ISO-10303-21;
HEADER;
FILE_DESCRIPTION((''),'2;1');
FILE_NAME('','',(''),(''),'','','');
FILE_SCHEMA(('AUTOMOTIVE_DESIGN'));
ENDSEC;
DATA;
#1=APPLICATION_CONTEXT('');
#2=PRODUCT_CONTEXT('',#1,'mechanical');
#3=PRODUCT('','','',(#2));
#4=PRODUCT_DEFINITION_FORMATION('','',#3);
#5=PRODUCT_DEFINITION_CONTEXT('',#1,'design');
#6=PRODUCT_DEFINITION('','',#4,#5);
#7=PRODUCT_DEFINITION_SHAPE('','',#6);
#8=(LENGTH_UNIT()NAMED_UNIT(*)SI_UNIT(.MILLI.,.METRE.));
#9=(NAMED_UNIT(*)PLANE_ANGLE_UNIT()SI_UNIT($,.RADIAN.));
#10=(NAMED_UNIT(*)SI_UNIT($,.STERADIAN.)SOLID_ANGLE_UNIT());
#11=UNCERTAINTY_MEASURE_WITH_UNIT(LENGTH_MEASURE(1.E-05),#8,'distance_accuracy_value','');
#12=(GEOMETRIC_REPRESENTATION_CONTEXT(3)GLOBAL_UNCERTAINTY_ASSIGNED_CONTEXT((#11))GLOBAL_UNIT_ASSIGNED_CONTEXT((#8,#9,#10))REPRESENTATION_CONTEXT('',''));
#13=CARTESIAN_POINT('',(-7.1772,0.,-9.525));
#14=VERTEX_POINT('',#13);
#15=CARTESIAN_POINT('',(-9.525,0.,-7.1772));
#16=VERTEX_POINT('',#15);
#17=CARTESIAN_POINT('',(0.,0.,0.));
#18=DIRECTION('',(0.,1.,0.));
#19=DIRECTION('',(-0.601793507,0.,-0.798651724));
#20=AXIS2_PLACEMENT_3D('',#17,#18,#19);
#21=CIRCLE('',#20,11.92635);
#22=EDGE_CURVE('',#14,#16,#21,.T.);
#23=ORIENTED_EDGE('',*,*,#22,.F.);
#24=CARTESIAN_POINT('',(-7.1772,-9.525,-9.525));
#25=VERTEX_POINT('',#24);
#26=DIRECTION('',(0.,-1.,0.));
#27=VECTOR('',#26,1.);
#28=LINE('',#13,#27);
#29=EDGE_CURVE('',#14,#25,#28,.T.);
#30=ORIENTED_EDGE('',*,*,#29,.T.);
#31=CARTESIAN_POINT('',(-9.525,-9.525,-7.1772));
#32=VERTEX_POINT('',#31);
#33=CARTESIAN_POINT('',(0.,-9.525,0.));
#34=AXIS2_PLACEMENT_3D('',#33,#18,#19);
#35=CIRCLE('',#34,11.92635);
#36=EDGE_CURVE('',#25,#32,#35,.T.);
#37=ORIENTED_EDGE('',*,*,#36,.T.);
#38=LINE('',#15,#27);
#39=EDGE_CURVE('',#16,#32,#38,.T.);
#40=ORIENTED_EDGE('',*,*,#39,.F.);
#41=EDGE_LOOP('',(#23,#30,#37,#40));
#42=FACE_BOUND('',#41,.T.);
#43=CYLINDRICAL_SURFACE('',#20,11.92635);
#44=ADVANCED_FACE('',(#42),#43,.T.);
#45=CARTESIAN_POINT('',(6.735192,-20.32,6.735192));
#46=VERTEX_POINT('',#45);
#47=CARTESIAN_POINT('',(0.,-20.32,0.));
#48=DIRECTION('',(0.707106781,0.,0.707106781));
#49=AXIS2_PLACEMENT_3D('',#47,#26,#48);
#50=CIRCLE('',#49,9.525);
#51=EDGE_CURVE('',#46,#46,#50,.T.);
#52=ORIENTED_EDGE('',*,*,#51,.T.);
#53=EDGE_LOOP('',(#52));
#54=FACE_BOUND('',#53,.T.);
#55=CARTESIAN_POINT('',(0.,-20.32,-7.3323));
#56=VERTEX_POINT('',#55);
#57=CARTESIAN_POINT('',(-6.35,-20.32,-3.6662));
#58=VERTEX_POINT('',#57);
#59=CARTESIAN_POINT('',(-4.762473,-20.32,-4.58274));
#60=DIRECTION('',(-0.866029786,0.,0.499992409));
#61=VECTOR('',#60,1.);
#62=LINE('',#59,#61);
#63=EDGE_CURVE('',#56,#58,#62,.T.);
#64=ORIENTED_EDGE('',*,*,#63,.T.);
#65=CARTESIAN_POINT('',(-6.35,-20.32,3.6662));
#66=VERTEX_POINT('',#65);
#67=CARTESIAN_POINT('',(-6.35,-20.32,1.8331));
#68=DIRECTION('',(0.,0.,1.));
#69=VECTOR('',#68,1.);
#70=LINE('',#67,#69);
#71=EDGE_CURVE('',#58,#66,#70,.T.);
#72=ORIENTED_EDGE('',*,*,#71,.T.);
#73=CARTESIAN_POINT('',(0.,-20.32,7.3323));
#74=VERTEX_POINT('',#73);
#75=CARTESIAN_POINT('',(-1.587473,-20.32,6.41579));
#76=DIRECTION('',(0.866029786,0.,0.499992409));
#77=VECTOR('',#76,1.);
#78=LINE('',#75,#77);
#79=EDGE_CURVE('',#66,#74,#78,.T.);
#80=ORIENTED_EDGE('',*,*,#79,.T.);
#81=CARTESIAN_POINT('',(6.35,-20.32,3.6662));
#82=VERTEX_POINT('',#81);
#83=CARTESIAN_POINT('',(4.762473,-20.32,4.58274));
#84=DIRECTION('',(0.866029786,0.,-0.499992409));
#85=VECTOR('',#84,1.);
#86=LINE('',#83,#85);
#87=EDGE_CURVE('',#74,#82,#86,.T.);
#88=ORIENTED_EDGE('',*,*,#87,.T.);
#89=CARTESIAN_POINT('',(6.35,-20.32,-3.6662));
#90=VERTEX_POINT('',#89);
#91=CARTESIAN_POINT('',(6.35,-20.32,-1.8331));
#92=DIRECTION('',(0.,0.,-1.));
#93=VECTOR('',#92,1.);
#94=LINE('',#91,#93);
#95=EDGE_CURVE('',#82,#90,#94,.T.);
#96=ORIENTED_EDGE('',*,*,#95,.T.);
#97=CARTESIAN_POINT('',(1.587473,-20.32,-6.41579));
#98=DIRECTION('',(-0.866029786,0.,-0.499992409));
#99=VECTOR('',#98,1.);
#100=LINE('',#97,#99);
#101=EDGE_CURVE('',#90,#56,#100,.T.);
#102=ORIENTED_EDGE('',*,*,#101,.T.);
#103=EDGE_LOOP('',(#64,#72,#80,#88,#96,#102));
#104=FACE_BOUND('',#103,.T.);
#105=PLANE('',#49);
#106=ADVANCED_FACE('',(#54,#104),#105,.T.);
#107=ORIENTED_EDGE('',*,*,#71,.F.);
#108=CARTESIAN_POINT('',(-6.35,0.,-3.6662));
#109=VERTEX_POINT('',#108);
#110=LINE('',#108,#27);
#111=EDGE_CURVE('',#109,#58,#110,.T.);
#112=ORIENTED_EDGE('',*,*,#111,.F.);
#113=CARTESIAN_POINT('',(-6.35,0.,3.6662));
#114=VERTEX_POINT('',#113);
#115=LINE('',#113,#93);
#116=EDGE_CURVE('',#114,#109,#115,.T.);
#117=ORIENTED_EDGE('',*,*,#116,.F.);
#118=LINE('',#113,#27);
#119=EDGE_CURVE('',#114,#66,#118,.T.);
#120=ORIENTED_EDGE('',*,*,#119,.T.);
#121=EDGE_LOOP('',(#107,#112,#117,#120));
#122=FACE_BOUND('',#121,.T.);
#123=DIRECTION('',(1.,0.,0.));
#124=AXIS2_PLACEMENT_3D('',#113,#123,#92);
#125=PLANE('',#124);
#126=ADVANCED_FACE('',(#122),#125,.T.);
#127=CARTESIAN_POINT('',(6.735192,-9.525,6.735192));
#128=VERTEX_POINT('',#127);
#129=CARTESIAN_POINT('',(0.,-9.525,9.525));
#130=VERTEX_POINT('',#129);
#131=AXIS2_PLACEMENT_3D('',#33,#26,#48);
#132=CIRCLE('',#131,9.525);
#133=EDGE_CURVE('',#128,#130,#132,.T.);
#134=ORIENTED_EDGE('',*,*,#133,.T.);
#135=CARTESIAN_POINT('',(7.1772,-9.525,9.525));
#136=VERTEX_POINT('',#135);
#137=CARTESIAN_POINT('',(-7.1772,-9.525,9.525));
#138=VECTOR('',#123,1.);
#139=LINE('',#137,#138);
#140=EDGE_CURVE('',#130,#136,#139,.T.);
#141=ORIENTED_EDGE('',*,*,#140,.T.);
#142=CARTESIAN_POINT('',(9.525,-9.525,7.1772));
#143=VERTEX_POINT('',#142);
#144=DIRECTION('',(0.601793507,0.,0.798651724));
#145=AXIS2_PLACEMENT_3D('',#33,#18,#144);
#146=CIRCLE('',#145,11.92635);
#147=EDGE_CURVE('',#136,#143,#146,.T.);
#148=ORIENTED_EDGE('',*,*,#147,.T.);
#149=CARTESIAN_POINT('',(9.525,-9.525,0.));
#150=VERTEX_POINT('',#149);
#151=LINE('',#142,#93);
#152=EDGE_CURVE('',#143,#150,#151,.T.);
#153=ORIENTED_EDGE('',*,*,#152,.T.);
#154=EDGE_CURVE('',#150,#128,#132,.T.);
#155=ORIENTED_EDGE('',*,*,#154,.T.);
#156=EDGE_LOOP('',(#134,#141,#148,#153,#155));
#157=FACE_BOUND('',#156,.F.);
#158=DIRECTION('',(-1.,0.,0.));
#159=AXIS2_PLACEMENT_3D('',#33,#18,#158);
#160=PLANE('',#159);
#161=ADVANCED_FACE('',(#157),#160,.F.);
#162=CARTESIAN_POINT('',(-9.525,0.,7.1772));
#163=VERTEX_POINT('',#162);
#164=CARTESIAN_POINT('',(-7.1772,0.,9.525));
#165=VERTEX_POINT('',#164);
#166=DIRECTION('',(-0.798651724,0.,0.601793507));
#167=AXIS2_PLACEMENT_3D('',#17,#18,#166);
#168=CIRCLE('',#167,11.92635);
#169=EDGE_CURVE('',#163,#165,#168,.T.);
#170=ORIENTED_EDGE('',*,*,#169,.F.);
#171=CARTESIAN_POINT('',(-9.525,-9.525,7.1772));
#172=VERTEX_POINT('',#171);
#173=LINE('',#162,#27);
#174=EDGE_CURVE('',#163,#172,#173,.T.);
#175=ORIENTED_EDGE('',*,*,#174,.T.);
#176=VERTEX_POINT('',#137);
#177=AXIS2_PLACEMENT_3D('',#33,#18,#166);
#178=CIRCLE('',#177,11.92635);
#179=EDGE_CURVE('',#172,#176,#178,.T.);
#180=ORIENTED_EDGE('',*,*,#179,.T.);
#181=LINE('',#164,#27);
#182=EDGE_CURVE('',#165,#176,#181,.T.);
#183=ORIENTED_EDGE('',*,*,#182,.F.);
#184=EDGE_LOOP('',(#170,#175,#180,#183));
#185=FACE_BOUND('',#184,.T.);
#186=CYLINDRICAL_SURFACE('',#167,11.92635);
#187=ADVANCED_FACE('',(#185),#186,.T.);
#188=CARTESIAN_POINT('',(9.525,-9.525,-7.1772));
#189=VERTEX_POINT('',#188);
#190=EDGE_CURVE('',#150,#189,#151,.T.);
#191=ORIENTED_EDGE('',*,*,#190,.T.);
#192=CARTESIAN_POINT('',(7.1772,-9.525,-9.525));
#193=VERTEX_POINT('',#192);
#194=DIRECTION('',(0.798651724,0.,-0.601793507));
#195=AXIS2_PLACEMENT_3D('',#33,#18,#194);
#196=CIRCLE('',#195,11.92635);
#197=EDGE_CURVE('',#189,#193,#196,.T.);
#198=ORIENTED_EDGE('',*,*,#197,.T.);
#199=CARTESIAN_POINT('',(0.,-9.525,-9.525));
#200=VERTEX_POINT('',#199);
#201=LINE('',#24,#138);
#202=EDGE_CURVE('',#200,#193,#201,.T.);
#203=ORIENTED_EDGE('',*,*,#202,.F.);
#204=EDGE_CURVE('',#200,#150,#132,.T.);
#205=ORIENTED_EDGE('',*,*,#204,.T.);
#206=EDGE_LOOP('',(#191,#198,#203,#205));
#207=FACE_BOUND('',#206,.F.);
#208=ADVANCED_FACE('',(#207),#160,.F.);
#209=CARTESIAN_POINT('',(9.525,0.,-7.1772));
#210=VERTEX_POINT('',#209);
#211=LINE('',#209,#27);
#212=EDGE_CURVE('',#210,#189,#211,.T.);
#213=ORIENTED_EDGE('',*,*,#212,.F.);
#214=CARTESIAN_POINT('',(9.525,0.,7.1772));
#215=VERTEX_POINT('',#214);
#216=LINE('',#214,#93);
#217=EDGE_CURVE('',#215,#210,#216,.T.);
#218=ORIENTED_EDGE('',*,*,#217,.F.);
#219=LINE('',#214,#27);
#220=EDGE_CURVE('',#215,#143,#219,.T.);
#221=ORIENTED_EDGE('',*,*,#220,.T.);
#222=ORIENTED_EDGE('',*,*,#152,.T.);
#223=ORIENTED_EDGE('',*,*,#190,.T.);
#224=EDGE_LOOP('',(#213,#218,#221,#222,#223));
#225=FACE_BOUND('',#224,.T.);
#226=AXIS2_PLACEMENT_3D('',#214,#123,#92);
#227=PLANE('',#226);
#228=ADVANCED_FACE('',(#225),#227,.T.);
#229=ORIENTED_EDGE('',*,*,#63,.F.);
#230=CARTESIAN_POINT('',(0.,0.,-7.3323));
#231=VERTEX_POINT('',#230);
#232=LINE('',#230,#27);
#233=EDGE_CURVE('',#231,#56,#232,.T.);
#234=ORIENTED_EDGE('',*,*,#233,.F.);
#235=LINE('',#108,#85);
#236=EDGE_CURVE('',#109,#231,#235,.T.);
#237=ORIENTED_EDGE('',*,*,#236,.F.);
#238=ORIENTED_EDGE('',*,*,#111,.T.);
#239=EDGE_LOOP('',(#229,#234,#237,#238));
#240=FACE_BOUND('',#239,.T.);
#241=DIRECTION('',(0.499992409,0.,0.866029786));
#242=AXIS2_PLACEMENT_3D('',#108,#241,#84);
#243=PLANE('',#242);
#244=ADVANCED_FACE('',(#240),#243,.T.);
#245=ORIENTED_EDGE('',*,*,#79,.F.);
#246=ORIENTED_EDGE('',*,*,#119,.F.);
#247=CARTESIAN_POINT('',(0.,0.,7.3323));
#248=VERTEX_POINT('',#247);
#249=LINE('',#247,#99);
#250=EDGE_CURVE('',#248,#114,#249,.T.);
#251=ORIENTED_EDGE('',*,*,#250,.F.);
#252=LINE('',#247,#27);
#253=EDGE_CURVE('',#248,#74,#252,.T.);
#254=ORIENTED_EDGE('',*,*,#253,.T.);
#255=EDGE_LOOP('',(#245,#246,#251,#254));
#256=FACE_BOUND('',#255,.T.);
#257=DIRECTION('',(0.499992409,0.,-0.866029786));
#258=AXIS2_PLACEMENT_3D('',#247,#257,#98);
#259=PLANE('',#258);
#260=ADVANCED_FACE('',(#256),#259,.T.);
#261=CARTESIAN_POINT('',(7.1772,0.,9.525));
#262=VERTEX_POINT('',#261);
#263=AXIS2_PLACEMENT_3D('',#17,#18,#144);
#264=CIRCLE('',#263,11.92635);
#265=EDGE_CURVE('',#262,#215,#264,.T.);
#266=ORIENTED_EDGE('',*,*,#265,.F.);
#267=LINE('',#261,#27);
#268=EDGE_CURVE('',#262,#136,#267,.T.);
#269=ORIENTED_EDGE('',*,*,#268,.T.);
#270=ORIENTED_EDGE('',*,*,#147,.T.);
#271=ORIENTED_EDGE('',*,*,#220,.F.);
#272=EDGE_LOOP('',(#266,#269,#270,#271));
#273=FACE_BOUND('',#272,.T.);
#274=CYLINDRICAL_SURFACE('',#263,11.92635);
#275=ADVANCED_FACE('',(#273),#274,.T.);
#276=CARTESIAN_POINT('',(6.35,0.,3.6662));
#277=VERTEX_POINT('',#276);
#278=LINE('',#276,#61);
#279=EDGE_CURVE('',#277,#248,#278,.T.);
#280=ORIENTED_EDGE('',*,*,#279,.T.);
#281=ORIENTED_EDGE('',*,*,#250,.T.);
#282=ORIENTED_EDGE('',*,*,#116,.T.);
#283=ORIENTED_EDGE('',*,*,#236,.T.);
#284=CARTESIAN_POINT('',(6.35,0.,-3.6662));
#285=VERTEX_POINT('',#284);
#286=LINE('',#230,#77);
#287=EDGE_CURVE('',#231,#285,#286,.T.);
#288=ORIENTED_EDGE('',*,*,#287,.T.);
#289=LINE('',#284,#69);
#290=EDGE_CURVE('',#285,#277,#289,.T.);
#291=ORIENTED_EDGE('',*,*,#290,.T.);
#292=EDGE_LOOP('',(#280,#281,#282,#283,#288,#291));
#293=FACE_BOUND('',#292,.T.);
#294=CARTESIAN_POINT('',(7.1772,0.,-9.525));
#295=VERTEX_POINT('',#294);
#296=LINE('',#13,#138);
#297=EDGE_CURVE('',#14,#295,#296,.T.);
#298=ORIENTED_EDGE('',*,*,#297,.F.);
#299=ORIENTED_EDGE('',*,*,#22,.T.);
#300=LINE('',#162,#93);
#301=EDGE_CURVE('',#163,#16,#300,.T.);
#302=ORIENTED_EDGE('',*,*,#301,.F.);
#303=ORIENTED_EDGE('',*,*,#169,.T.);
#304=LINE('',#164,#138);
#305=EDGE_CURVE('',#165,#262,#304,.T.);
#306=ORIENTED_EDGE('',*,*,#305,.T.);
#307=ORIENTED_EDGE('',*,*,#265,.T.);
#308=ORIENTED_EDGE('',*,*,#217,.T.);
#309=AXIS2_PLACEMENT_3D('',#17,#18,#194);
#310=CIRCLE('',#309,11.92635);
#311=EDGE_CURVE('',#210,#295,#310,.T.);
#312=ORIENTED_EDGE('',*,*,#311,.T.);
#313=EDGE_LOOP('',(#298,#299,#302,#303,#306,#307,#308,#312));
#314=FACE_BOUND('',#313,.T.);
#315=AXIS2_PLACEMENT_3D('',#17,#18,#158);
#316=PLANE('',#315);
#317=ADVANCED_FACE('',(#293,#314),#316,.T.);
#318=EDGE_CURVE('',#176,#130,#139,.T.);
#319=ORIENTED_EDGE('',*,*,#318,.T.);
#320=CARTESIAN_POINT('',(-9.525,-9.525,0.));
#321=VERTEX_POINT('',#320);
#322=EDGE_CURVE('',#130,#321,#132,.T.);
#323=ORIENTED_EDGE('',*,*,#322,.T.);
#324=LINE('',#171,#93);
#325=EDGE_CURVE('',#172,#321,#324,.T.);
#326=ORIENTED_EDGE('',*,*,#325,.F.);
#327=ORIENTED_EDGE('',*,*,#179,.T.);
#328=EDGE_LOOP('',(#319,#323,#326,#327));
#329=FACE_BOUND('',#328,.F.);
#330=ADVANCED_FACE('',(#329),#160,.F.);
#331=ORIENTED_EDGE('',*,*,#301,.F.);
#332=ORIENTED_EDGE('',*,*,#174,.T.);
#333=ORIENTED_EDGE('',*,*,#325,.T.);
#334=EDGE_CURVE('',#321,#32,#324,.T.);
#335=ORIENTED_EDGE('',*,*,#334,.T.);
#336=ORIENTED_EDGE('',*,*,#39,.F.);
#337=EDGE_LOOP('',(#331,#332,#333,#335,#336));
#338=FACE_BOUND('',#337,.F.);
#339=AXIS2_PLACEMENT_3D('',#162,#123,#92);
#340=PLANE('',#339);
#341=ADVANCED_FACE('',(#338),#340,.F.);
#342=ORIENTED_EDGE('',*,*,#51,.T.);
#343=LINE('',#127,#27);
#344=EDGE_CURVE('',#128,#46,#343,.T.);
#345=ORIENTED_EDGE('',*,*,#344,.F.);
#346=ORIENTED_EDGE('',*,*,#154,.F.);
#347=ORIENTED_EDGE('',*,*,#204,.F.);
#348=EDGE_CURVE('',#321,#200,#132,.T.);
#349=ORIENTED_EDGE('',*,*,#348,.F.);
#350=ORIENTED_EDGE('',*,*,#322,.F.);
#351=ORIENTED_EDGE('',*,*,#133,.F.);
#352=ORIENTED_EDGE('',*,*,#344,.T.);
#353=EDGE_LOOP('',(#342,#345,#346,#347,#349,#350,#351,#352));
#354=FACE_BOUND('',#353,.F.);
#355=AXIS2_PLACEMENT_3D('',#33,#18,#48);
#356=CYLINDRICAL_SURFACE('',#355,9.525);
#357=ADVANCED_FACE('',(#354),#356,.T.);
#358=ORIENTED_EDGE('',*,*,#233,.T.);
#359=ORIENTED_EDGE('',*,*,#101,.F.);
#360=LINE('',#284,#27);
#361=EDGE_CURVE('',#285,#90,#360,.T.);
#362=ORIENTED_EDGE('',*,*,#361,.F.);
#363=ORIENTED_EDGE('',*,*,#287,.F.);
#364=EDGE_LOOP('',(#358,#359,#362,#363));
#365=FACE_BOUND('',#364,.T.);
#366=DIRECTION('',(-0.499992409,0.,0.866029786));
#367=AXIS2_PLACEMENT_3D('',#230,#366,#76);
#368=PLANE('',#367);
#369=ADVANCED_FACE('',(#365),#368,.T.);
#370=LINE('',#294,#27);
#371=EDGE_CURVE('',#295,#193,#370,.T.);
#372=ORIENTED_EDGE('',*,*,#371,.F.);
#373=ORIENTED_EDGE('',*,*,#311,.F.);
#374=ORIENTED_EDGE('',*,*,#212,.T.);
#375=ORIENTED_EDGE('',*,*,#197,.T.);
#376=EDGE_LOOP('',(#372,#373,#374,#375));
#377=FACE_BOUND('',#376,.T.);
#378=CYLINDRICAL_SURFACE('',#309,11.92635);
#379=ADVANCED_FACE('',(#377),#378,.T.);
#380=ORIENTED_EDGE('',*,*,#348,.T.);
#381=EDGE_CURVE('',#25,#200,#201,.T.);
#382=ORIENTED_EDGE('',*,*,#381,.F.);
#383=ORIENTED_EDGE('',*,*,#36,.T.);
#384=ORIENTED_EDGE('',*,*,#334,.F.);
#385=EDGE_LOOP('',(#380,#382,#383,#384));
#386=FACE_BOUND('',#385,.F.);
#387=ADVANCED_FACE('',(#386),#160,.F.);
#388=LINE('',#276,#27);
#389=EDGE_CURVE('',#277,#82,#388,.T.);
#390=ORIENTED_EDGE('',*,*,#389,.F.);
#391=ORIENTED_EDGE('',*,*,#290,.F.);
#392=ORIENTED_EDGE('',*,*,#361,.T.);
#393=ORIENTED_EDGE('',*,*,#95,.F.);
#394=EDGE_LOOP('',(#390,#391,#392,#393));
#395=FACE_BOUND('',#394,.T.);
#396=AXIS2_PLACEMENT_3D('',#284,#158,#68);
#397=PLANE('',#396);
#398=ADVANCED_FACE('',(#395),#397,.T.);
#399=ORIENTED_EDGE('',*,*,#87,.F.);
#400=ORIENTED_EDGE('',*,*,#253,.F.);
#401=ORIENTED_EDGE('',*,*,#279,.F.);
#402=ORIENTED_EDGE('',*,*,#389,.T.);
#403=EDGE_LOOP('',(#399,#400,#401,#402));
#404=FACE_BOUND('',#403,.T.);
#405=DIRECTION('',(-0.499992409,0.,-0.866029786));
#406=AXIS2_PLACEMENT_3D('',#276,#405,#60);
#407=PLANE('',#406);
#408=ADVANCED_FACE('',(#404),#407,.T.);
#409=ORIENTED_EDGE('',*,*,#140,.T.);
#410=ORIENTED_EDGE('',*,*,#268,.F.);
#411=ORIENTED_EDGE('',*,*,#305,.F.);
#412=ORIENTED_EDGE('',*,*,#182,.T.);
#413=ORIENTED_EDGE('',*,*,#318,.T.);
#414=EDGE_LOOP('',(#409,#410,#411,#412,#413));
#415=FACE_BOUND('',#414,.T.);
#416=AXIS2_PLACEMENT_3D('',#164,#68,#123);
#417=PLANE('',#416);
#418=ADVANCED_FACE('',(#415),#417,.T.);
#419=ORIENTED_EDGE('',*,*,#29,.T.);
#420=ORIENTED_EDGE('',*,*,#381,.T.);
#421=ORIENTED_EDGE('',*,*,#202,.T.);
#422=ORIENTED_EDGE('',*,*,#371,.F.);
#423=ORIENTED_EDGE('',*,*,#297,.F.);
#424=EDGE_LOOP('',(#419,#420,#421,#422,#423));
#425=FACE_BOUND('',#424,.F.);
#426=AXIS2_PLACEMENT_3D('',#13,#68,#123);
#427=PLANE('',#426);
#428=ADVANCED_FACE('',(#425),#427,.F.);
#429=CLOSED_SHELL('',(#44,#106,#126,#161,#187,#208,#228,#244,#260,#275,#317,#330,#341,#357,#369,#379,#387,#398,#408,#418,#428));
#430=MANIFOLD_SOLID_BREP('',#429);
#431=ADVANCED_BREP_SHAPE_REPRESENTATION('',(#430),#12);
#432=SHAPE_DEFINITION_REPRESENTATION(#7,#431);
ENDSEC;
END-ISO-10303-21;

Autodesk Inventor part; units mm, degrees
ref_plane "YZ Plane" through (0, 0, 0) normal (1, 0, 0) x (0, 1, 0)
ref_plane "XZ Plane" through (0, 0, 0) normal (0, 1, 0) x (-1, 0, 0)
ref_plane "XY Plane" through (0, 0, 0) normal (0, 0, 1) x (1, 0, 0)
sketch "Sketch1" plane through (0, 0, 0) normal (0, 1, 0) x (-1, 0, 0)
  line L0 (6.35, -3.6662) -> (0, -7.3323)
  line L1 (0, -7.3323) -> (-6.35, -3.6662)
  line L2 (-6.35, -3.6662) -> (-6.35, 3.6662)
  line L3 (-6.35, 3.6662) -> (0, 7.3323)
  line L4 (0, 7.3323) -> (6.35, 3.6662)
  line L5 (6.35, 3.6662) -> (6.35, -3.6662)
  line L6 (9.525, 7.1772) -> (9.525, -7.1772)
  line L7 (-9.525, 7.1772) -> (-9.525, -7.1772)
  line L8 (7.1772, 9.525) -> (-7.1772, 9.525)
  line L9 (7.1772, -9.525) -> (-7.1772, -9.525)
  arc A0 (7.1772, -9.525) -> (9.525, -7.1772) centre (0, 0) ccw
  arc A1 (9.525, 7.1772) -> (7.1772, 9.525) centre (0, 0) ccw
  arc A2 (-7.1772, 9.525) -> (-9.525, 7.1772) centre (0, 0) ccw
  arc A3 (-9.525, -7.1772) -> (-7.1772, -9.525) centre (0, 0) ccw
  dimension "d0" = 12.7
  dimension "d9" = 9.525
  dimension "d10" = 9.525
  dimension "d11" = 9.525
  dimension "d12" = 9.525
extrude "Extrusion1" add sketch "Sketch1" against normal blind 9.525 contours L0 L1 L2 L3 L4 L5 | L6 A0 L9 A3 L7 A2 L8 A1
sketch "Sketch2" plane through (0, -9.525, 0) normal (0, -1, 0) x (0.7071, 0, 0.7071)
  circle A0 centre (0, 0) radius 9.525
  dimension "d4" = 19.05
extrude "Extrusion2" add sketch "Sketch2" along normal blind 10.795
extrude "Extrusion3" cut sketch "Sketch1" against normal through all contours L0 L1 L2 L3 L4 L5
equation "\"d10\" = d9"
equation "\"d11\" = d9"
equation "\"d12\" = d11"
properties part number "T81H-RS81" material "Aluminum 6061"
